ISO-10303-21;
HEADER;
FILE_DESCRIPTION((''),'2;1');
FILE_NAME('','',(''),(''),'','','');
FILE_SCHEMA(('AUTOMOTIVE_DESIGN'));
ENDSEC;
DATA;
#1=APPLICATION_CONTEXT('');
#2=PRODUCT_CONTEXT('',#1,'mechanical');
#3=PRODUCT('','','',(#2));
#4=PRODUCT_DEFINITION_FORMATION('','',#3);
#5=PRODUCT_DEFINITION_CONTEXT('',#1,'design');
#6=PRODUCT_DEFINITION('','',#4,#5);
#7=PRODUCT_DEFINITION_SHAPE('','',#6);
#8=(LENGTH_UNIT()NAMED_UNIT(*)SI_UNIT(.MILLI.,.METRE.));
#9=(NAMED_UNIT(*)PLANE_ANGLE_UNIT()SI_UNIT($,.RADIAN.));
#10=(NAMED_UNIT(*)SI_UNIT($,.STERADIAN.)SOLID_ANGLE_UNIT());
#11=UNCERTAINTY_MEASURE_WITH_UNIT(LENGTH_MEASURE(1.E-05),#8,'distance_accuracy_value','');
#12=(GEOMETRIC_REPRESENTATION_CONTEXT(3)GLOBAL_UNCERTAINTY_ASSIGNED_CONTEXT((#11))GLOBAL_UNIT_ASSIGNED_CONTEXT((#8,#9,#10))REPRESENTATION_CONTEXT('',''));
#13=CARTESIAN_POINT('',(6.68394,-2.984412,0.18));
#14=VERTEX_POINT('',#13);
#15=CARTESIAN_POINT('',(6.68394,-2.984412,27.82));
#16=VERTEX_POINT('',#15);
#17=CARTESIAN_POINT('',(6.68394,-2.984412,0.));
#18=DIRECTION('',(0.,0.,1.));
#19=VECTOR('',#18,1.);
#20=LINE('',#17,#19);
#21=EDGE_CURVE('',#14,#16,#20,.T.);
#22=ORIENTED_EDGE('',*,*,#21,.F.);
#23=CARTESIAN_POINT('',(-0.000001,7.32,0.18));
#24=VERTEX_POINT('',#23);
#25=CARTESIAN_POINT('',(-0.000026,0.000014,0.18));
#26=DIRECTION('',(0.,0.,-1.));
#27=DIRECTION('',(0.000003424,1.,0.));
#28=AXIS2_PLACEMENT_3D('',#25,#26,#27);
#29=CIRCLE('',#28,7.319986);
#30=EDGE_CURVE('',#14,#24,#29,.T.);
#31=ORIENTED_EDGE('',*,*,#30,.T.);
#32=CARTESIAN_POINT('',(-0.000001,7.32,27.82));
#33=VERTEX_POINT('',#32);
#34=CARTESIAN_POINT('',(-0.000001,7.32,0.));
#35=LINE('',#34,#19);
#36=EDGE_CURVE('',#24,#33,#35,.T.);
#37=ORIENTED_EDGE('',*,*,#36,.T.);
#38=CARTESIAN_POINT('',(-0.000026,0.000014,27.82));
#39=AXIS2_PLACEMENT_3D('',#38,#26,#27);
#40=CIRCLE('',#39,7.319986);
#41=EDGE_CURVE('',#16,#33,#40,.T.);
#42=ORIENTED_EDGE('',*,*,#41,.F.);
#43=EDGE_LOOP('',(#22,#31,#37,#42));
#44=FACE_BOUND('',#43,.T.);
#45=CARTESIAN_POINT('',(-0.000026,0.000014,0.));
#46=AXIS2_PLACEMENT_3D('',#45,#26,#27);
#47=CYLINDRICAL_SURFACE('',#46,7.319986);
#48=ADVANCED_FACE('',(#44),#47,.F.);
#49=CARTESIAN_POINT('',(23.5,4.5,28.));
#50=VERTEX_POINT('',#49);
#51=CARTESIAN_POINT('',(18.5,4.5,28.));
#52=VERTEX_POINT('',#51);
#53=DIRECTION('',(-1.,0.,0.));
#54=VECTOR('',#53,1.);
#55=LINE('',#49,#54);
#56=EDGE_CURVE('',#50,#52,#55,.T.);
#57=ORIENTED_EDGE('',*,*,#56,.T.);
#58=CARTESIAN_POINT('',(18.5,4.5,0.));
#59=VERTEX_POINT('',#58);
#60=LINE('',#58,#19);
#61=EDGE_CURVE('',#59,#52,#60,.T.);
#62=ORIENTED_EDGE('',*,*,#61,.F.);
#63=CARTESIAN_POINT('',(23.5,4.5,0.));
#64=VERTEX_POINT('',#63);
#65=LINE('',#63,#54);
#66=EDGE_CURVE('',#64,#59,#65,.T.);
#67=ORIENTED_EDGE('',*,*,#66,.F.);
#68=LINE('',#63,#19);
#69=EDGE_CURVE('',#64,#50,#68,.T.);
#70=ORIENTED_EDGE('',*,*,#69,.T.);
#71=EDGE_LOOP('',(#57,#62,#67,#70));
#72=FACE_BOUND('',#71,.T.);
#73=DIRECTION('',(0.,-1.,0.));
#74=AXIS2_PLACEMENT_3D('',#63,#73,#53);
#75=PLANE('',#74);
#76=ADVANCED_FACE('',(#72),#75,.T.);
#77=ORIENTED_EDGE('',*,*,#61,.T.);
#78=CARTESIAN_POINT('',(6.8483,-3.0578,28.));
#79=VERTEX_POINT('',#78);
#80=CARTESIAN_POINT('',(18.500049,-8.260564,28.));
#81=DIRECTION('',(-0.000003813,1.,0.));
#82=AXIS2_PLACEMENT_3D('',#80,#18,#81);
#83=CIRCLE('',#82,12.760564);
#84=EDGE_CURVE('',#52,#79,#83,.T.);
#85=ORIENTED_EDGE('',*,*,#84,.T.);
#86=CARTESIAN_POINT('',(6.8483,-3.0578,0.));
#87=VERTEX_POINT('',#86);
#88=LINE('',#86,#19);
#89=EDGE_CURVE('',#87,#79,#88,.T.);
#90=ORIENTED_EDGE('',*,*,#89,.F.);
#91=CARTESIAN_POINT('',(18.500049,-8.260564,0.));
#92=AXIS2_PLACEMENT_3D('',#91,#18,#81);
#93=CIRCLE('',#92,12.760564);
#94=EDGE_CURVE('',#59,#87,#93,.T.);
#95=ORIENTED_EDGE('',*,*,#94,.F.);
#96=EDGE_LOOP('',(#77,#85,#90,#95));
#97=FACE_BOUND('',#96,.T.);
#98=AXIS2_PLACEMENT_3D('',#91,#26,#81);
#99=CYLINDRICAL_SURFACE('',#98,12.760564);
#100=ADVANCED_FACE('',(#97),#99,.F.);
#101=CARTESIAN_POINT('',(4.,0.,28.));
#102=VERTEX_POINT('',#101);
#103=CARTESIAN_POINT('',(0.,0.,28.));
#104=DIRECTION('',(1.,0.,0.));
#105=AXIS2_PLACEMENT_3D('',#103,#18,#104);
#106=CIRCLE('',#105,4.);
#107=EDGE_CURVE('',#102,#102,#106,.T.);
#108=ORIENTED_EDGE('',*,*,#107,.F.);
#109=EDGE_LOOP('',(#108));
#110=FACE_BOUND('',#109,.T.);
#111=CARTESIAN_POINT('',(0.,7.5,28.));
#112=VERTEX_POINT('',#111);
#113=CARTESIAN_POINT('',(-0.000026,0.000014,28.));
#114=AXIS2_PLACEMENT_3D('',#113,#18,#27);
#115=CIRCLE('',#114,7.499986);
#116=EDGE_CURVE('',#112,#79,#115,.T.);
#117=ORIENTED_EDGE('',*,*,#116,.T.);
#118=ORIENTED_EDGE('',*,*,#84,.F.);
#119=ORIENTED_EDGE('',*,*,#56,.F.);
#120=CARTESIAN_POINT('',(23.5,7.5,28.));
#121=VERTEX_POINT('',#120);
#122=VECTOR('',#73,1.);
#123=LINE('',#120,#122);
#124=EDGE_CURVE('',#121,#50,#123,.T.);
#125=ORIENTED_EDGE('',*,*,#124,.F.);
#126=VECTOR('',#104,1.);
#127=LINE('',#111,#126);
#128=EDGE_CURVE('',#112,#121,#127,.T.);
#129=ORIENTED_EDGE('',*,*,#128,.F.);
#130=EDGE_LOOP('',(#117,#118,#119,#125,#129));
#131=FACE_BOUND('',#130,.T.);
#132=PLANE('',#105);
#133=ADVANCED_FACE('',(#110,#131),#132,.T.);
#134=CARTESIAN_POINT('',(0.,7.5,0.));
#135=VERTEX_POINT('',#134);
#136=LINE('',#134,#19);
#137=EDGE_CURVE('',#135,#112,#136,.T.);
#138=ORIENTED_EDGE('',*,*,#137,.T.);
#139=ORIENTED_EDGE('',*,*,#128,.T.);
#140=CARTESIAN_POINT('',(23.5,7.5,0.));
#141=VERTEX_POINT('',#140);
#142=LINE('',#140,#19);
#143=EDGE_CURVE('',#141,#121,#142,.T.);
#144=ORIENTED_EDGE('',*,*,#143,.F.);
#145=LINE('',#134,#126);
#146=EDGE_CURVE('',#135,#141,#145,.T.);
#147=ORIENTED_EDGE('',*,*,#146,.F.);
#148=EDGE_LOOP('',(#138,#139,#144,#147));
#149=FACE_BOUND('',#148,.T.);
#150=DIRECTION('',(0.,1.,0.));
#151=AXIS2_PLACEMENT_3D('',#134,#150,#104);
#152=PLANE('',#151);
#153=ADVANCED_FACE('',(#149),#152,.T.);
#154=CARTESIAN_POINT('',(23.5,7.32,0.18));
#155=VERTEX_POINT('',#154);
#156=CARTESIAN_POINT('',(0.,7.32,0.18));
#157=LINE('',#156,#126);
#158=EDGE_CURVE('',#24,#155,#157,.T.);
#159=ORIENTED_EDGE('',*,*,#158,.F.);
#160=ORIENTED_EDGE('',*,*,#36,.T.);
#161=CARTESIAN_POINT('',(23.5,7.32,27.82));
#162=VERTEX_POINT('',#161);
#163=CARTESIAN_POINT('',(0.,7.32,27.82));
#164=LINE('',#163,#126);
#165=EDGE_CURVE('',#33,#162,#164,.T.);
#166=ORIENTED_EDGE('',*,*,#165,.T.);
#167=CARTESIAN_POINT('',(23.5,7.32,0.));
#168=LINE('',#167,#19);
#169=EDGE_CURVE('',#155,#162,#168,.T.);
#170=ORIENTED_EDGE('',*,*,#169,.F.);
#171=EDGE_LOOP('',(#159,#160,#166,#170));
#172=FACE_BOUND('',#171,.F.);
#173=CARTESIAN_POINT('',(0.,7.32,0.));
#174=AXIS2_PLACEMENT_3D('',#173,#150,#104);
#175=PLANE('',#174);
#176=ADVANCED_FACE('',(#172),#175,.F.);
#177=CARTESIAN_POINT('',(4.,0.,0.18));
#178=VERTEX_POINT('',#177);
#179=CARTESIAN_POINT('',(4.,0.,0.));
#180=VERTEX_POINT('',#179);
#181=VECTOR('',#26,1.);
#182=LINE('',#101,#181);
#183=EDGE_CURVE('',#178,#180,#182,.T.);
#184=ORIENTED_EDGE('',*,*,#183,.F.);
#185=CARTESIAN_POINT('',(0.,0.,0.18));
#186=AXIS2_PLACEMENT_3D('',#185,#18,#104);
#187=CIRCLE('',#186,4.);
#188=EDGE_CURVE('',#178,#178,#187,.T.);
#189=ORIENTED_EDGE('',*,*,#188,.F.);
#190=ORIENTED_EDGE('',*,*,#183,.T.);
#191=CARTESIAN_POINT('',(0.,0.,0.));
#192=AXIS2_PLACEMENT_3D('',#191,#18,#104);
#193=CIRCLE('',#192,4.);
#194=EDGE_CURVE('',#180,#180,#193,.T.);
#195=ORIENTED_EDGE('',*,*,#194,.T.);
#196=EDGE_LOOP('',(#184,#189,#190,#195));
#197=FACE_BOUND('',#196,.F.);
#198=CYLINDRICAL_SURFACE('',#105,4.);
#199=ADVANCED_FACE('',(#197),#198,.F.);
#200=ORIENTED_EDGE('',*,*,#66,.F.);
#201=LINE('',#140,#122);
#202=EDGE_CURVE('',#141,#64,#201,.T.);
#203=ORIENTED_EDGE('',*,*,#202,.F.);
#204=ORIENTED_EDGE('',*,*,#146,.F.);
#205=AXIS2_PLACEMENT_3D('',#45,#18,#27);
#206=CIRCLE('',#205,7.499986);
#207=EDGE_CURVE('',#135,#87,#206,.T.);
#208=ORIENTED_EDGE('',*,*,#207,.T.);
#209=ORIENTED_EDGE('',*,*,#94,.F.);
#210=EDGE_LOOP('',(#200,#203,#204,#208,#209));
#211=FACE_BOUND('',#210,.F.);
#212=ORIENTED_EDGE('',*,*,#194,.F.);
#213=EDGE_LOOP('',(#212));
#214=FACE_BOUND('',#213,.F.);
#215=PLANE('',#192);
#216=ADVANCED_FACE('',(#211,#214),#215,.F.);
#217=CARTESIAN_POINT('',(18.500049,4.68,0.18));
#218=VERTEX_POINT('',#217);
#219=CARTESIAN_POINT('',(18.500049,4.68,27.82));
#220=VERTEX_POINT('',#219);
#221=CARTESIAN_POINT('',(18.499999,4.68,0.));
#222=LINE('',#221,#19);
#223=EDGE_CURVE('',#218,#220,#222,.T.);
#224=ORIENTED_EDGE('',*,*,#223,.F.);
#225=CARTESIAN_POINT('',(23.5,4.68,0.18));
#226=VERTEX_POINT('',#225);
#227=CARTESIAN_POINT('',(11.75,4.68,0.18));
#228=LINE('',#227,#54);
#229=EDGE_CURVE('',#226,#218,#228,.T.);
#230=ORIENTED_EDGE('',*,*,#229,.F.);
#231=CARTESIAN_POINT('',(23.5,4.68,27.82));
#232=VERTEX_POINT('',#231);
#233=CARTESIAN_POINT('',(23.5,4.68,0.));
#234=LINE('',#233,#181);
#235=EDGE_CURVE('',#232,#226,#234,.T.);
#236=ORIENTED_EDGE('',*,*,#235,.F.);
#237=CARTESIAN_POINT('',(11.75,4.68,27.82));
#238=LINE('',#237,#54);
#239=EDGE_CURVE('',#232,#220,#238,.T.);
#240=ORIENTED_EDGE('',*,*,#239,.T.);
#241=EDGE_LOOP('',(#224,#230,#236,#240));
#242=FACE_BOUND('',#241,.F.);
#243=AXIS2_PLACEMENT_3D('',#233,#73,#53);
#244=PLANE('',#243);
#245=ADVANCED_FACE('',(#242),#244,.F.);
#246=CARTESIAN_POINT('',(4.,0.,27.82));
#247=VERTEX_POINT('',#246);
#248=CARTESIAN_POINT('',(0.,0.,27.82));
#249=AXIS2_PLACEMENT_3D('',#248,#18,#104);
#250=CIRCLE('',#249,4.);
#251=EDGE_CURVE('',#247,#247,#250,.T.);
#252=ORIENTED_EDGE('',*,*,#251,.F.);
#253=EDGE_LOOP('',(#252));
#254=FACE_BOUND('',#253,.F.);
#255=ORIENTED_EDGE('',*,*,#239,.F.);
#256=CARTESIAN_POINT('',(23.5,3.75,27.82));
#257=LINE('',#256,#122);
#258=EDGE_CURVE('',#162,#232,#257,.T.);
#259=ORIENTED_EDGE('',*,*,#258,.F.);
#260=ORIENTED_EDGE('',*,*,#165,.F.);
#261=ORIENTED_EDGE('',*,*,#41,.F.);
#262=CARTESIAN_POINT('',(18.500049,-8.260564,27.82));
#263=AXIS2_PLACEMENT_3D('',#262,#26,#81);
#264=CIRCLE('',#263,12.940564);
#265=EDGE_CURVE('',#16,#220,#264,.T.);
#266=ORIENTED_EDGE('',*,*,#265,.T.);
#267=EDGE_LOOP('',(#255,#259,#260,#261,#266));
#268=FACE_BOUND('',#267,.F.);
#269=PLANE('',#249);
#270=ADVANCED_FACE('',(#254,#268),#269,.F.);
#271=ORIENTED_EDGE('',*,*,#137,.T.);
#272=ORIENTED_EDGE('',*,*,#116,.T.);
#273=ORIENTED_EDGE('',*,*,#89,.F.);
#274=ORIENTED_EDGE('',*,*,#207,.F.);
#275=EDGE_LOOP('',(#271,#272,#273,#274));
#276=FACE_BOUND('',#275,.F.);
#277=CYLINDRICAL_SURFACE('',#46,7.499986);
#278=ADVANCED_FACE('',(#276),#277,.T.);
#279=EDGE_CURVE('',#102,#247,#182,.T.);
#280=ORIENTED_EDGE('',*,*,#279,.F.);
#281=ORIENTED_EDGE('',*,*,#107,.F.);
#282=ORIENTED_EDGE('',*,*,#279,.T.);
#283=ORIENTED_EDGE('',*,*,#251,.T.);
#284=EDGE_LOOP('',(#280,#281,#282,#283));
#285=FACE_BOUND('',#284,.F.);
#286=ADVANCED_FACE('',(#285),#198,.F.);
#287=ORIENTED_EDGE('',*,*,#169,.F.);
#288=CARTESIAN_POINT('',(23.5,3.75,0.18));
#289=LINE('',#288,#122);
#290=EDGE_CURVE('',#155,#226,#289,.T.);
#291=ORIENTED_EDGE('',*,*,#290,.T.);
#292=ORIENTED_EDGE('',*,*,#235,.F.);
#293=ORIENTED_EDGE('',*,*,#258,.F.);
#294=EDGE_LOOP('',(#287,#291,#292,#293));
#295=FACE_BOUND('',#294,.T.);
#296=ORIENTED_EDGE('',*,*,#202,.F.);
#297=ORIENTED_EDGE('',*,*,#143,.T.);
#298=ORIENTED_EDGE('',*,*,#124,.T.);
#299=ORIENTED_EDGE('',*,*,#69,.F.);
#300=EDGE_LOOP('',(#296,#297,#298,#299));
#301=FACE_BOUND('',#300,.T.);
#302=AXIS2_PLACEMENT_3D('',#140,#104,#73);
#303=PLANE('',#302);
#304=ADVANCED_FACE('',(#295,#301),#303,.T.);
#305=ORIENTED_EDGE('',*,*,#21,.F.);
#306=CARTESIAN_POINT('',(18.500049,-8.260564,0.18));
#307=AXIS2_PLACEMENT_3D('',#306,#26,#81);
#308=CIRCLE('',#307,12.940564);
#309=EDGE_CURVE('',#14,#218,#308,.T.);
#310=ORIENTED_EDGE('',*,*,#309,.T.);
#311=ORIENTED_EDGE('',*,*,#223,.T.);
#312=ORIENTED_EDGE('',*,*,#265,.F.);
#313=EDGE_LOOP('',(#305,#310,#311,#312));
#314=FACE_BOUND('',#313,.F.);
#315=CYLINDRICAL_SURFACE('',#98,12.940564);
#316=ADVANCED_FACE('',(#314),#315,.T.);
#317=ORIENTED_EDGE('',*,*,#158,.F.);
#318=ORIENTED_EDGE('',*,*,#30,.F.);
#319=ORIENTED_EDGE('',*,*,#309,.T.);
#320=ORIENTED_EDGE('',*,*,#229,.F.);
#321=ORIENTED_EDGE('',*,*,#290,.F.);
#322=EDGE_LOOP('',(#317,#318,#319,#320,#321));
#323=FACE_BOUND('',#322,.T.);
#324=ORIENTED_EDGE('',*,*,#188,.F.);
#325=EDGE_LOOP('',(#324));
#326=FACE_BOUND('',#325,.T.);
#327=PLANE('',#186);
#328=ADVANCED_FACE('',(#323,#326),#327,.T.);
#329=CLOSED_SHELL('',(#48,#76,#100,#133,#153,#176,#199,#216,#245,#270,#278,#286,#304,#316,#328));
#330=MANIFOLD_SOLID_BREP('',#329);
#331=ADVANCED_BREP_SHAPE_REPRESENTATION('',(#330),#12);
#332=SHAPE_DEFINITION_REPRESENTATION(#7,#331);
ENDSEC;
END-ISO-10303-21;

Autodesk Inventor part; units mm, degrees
ref_plane "YZ Plane" through (0, 0, 0) normal (1, 0, 0) x (0, 1, 0)
ref_plane "XZ Plane" through (0, 0, 0) normal (0, 1, 0) x (-1, 0, 0)
ref_plane "XY Plane" through (0, 0, 0) normal (0, 0, 1) x (1, 0, 0)
sketch "Sketch1" plane through (0, 0, 0) normal (0, 0, 1) x (1, 0, 0)
  arc A0 (0, 7.5) -> (6.8483, -3.0578) centre (0, 0) ccw
  line L0 (0, 7.5) -> (23.5, 7.5)
  line L1 (23.5, 7.5) -> (23.5, 4.5)
  line L2 (23.5, 4.5) -> (18.5, 4.5)
  arc A1 (18.5, 4.5) -> (6.8483, -3.0578) centre (18.5, -8.2604) ccw
  dimension "d0" = 15
  dimension "d3" = 3
  dimension "d5" = 23.5
  dimension "d12" = 5
extrude "Extrusion1" add sketch "Sketch1" along normal blind 28
shell "Shell1" thickness 0.18 removed faces 1 at (23.5, 5.5, 18.6667)
sketch "Sketch2" plane through (0, 0, 28) normal (0, 0, 1) x (1, 0, 0)
  circle A0 centre (0, 0) radius 4
  dimension "d9" = 8
extrude "Extrusion2" cut sketch "Sketch2" against normal blind 31
properties part number "blower"
